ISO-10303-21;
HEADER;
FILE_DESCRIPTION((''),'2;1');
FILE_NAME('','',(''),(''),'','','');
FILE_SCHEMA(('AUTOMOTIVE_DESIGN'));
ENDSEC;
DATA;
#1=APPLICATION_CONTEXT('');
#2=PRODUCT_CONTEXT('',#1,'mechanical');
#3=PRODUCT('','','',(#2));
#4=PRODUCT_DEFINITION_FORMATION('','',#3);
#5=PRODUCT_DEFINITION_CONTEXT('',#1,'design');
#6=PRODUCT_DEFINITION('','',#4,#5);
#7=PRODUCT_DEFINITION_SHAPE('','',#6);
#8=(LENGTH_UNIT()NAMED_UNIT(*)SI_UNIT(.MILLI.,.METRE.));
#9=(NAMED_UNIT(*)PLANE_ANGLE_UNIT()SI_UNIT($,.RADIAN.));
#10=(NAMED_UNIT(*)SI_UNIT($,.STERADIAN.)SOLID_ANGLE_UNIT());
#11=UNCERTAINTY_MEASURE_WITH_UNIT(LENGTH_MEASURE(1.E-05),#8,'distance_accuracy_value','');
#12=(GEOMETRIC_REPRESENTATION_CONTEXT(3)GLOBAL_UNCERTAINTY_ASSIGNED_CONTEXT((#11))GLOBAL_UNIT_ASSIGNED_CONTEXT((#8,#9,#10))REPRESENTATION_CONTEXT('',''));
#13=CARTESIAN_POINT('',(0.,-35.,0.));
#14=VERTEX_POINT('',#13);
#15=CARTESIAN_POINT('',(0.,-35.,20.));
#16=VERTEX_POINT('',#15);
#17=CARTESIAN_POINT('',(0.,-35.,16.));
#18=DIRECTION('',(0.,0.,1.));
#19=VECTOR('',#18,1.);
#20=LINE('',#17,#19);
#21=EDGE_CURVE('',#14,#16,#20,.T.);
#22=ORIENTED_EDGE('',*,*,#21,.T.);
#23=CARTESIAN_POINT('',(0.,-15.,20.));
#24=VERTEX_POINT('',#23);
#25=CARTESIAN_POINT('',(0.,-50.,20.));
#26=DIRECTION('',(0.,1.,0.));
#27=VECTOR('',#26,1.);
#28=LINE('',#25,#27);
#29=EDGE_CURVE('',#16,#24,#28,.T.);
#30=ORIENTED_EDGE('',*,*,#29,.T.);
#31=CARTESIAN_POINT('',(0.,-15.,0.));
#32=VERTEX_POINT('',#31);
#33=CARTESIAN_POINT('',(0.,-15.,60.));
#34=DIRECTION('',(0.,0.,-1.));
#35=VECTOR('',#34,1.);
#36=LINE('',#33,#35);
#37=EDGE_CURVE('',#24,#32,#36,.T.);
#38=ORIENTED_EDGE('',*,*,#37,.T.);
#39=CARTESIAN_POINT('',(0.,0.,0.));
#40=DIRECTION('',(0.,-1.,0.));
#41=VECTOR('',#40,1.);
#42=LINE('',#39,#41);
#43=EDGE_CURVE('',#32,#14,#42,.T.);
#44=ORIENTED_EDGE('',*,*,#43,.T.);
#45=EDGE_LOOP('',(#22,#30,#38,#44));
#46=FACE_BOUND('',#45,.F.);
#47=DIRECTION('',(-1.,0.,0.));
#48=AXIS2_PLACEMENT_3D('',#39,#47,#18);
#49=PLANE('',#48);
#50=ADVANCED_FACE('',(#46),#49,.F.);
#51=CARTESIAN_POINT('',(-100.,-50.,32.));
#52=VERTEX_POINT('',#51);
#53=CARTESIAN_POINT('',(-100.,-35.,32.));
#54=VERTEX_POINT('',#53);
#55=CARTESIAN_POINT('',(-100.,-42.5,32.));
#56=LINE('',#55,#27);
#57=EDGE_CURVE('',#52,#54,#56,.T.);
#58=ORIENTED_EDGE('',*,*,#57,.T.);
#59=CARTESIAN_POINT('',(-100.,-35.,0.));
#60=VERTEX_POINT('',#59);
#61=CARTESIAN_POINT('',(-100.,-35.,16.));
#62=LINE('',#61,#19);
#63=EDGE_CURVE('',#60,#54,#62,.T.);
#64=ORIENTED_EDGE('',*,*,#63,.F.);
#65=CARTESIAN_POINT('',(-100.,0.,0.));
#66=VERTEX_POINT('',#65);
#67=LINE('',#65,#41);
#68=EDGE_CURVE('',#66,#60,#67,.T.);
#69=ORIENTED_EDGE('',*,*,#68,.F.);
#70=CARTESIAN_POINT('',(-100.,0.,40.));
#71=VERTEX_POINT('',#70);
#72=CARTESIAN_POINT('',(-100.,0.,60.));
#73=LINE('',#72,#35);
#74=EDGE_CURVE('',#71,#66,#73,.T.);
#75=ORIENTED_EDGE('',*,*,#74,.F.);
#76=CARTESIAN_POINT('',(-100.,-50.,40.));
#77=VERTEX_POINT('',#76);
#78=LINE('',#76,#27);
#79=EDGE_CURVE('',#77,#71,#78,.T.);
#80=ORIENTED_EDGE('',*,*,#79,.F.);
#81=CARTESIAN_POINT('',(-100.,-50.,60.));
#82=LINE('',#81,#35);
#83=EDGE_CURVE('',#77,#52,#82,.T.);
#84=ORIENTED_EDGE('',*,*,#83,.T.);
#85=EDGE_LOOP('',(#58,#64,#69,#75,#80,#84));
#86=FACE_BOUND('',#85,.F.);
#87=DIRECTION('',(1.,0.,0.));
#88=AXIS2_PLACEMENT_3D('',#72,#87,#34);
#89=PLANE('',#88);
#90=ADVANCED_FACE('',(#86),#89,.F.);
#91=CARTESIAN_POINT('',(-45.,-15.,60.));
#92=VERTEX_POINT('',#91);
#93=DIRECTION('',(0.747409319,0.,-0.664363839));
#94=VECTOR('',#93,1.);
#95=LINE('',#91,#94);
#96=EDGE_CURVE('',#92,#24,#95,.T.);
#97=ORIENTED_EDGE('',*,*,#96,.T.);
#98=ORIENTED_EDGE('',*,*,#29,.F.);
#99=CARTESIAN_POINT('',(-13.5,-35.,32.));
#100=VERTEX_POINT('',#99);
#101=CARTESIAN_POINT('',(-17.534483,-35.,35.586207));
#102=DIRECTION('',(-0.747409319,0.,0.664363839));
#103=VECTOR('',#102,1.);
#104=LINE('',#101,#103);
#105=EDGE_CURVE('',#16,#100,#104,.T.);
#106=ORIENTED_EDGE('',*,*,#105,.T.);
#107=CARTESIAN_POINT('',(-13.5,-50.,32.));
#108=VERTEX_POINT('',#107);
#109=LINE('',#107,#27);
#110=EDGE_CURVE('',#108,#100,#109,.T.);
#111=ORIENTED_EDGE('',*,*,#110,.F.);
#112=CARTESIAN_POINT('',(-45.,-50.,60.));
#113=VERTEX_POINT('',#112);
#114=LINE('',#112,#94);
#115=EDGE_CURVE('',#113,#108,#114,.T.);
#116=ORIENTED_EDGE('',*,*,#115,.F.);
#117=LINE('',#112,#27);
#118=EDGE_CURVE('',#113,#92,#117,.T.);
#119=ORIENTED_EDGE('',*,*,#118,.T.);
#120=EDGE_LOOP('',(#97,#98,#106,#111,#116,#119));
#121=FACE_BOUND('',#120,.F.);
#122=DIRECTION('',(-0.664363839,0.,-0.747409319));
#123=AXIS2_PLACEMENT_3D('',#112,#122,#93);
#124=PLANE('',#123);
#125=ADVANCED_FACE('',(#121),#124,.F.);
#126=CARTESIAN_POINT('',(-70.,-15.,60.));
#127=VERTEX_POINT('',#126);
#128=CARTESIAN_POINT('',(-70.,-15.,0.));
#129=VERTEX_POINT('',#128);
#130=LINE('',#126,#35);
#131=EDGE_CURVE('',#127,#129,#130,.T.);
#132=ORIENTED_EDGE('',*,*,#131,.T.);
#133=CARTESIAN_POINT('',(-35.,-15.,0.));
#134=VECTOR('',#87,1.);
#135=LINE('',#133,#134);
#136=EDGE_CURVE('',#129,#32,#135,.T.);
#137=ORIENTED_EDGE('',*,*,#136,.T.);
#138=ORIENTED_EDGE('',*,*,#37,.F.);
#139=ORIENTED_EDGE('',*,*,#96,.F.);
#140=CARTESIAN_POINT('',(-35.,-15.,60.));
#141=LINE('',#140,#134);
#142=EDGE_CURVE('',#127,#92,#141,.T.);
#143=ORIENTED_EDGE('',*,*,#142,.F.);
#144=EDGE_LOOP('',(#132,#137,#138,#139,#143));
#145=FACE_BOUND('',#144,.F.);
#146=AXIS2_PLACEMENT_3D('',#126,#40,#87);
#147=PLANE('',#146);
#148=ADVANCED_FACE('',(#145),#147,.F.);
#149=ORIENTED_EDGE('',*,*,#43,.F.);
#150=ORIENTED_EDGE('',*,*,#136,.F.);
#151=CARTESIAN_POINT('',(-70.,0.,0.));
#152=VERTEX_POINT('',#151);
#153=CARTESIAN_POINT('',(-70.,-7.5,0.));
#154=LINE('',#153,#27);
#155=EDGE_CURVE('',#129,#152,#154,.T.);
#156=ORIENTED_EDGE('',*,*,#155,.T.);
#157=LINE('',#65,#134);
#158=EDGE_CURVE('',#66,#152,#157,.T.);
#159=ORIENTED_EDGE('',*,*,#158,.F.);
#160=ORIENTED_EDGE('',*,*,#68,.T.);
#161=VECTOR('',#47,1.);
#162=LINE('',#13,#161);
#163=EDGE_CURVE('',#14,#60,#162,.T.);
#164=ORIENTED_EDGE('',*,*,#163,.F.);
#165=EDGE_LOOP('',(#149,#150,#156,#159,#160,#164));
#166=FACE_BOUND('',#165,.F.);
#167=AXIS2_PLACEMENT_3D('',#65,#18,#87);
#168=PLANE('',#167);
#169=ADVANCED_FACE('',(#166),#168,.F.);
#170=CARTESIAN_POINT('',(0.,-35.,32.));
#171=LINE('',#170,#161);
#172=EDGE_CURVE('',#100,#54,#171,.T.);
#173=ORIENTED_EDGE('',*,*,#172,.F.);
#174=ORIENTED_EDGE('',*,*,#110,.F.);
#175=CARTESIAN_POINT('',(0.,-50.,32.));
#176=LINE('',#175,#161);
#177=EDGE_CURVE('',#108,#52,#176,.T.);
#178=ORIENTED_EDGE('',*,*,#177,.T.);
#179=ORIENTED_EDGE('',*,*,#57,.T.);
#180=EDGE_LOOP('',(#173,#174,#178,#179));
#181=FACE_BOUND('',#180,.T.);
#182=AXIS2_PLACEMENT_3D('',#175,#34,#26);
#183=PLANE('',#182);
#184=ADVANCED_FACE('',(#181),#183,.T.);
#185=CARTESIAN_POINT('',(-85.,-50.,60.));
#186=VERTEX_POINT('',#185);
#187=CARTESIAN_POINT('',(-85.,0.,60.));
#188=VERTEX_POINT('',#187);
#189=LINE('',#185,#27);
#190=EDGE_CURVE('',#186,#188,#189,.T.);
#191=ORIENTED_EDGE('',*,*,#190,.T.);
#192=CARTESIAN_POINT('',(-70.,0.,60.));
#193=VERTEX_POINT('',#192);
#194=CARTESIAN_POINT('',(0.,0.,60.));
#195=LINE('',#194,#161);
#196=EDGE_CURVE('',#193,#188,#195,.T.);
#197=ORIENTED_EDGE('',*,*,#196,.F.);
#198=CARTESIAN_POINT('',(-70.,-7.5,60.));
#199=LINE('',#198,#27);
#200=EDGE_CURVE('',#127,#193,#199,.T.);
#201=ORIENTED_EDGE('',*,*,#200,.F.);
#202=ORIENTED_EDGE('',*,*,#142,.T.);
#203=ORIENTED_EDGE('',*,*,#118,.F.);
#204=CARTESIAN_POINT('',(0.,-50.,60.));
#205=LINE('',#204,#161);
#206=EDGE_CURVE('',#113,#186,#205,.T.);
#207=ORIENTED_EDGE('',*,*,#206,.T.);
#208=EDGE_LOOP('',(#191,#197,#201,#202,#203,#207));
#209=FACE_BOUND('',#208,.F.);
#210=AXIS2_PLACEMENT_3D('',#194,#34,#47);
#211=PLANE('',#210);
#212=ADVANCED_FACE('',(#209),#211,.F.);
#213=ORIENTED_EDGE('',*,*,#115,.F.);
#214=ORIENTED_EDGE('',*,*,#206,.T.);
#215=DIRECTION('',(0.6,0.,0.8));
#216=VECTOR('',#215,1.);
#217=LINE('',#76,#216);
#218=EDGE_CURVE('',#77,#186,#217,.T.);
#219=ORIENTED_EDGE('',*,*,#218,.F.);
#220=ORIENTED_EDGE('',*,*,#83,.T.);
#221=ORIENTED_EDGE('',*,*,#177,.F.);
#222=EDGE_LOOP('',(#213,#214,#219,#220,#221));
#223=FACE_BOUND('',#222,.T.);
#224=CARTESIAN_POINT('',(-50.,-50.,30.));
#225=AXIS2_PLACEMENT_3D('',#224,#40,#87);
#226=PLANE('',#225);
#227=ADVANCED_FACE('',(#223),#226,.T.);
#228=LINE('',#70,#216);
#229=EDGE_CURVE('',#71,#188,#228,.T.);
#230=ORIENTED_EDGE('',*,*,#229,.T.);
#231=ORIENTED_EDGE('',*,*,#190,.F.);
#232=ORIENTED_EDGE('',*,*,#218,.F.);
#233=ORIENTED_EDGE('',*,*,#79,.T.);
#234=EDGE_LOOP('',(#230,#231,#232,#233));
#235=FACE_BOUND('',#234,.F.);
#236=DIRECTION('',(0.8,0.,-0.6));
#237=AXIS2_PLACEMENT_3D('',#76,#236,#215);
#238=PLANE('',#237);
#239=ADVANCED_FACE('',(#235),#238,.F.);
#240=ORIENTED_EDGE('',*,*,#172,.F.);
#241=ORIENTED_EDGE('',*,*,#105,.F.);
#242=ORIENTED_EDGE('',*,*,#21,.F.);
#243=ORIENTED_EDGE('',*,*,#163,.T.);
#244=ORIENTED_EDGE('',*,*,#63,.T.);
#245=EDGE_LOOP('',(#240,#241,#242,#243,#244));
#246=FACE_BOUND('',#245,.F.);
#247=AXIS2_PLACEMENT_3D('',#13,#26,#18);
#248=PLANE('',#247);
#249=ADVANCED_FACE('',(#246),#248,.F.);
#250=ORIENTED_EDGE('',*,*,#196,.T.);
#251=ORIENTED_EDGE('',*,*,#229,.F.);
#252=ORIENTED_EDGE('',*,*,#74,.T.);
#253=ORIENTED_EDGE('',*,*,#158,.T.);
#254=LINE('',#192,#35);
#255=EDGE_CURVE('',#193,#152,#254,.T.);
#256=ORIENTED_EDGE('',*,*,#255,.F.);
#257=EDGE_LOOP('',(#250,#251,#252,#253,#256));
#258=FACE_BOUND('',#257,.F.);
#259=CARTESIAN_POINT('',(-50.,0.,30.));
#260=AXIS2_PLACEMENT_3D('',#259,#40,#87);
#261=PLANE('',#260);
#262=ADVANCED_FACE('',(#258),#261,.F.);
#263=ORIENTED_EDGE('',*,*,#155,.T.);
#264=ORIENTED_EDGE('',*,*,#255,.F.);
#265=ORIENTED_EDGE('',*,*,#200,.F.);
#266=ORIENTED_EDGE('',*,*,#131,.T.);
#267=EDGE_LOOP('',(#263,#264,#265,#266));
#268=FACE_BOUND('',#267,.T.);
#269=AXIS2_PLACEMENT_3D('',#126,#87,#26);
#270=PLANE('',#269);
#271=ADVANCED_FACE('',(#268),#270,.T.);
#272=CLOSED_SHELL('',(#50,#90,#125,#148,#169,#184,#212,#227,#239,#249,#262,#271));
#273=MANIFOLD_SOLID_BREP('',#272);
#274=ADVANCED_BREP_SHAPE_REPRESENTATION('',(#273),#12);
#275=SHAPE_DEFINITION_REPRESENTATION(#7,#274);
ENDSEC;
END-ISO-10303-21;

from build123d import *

# Parameters (mm, degrees)
F1_DEPTH = 50
F2_W     = 15
F2_H     = 32
F3_DEPTH = 100
F4_W     = 70
F4_H     = 15
F5_DEPTH = 60
F7_DEPTH = 50
F9_DEPTH = 35


with BuildPart() as f1:
    # F0 (on Front) → F1 (new body)
    with BuildSketch(Plane.XZ):
        Polygon((-100, 0), (0, 0), (0, 20), (0, 60), (-45, 60), (-100, 60), align=None)
    extrude(amount=F1_DEPTH)

    # F2 (on face) → F3 (cut, through all)
    with BuildSketch(Plane.YZ):
        with Locations((-42.5, 16)):
            Rectangle(F2_W, F2_H)
    extrude(amount=-F3_DEPTH, mode=Mode.SUBTRACT)

    # F4 (on face) → F5 (cut, through all)
    with BuildSketch(Plane.XY.offset(60)):
        with Locations((-35, -7.5)):
            Rectangle(F4_W, F4_H)
    extrude(amount=-F5_DEPTH, mode=Mode.SUBTRACT)

    # F6 (on face) → F7 (cut, through all)
    with BuildSketch(Plane.XZ.offset(50)):
        Polygon((-85, 60), (-100, 60), (-100, 40), align=None)
    extrude(amount=-F7_DEPTH, mode=Mode.SUBTRACT)

    # F8 (on face) → F9 (cut, through all)
    with BuildSketch(Plane.XZ.offset(50)):
        Polygon((0, 20), (0, 60), (-45, 60), align=None)
    extrude(amount=-F9_DEPTH, mode=Mode.SUBTRACT)


solid = f1.part
